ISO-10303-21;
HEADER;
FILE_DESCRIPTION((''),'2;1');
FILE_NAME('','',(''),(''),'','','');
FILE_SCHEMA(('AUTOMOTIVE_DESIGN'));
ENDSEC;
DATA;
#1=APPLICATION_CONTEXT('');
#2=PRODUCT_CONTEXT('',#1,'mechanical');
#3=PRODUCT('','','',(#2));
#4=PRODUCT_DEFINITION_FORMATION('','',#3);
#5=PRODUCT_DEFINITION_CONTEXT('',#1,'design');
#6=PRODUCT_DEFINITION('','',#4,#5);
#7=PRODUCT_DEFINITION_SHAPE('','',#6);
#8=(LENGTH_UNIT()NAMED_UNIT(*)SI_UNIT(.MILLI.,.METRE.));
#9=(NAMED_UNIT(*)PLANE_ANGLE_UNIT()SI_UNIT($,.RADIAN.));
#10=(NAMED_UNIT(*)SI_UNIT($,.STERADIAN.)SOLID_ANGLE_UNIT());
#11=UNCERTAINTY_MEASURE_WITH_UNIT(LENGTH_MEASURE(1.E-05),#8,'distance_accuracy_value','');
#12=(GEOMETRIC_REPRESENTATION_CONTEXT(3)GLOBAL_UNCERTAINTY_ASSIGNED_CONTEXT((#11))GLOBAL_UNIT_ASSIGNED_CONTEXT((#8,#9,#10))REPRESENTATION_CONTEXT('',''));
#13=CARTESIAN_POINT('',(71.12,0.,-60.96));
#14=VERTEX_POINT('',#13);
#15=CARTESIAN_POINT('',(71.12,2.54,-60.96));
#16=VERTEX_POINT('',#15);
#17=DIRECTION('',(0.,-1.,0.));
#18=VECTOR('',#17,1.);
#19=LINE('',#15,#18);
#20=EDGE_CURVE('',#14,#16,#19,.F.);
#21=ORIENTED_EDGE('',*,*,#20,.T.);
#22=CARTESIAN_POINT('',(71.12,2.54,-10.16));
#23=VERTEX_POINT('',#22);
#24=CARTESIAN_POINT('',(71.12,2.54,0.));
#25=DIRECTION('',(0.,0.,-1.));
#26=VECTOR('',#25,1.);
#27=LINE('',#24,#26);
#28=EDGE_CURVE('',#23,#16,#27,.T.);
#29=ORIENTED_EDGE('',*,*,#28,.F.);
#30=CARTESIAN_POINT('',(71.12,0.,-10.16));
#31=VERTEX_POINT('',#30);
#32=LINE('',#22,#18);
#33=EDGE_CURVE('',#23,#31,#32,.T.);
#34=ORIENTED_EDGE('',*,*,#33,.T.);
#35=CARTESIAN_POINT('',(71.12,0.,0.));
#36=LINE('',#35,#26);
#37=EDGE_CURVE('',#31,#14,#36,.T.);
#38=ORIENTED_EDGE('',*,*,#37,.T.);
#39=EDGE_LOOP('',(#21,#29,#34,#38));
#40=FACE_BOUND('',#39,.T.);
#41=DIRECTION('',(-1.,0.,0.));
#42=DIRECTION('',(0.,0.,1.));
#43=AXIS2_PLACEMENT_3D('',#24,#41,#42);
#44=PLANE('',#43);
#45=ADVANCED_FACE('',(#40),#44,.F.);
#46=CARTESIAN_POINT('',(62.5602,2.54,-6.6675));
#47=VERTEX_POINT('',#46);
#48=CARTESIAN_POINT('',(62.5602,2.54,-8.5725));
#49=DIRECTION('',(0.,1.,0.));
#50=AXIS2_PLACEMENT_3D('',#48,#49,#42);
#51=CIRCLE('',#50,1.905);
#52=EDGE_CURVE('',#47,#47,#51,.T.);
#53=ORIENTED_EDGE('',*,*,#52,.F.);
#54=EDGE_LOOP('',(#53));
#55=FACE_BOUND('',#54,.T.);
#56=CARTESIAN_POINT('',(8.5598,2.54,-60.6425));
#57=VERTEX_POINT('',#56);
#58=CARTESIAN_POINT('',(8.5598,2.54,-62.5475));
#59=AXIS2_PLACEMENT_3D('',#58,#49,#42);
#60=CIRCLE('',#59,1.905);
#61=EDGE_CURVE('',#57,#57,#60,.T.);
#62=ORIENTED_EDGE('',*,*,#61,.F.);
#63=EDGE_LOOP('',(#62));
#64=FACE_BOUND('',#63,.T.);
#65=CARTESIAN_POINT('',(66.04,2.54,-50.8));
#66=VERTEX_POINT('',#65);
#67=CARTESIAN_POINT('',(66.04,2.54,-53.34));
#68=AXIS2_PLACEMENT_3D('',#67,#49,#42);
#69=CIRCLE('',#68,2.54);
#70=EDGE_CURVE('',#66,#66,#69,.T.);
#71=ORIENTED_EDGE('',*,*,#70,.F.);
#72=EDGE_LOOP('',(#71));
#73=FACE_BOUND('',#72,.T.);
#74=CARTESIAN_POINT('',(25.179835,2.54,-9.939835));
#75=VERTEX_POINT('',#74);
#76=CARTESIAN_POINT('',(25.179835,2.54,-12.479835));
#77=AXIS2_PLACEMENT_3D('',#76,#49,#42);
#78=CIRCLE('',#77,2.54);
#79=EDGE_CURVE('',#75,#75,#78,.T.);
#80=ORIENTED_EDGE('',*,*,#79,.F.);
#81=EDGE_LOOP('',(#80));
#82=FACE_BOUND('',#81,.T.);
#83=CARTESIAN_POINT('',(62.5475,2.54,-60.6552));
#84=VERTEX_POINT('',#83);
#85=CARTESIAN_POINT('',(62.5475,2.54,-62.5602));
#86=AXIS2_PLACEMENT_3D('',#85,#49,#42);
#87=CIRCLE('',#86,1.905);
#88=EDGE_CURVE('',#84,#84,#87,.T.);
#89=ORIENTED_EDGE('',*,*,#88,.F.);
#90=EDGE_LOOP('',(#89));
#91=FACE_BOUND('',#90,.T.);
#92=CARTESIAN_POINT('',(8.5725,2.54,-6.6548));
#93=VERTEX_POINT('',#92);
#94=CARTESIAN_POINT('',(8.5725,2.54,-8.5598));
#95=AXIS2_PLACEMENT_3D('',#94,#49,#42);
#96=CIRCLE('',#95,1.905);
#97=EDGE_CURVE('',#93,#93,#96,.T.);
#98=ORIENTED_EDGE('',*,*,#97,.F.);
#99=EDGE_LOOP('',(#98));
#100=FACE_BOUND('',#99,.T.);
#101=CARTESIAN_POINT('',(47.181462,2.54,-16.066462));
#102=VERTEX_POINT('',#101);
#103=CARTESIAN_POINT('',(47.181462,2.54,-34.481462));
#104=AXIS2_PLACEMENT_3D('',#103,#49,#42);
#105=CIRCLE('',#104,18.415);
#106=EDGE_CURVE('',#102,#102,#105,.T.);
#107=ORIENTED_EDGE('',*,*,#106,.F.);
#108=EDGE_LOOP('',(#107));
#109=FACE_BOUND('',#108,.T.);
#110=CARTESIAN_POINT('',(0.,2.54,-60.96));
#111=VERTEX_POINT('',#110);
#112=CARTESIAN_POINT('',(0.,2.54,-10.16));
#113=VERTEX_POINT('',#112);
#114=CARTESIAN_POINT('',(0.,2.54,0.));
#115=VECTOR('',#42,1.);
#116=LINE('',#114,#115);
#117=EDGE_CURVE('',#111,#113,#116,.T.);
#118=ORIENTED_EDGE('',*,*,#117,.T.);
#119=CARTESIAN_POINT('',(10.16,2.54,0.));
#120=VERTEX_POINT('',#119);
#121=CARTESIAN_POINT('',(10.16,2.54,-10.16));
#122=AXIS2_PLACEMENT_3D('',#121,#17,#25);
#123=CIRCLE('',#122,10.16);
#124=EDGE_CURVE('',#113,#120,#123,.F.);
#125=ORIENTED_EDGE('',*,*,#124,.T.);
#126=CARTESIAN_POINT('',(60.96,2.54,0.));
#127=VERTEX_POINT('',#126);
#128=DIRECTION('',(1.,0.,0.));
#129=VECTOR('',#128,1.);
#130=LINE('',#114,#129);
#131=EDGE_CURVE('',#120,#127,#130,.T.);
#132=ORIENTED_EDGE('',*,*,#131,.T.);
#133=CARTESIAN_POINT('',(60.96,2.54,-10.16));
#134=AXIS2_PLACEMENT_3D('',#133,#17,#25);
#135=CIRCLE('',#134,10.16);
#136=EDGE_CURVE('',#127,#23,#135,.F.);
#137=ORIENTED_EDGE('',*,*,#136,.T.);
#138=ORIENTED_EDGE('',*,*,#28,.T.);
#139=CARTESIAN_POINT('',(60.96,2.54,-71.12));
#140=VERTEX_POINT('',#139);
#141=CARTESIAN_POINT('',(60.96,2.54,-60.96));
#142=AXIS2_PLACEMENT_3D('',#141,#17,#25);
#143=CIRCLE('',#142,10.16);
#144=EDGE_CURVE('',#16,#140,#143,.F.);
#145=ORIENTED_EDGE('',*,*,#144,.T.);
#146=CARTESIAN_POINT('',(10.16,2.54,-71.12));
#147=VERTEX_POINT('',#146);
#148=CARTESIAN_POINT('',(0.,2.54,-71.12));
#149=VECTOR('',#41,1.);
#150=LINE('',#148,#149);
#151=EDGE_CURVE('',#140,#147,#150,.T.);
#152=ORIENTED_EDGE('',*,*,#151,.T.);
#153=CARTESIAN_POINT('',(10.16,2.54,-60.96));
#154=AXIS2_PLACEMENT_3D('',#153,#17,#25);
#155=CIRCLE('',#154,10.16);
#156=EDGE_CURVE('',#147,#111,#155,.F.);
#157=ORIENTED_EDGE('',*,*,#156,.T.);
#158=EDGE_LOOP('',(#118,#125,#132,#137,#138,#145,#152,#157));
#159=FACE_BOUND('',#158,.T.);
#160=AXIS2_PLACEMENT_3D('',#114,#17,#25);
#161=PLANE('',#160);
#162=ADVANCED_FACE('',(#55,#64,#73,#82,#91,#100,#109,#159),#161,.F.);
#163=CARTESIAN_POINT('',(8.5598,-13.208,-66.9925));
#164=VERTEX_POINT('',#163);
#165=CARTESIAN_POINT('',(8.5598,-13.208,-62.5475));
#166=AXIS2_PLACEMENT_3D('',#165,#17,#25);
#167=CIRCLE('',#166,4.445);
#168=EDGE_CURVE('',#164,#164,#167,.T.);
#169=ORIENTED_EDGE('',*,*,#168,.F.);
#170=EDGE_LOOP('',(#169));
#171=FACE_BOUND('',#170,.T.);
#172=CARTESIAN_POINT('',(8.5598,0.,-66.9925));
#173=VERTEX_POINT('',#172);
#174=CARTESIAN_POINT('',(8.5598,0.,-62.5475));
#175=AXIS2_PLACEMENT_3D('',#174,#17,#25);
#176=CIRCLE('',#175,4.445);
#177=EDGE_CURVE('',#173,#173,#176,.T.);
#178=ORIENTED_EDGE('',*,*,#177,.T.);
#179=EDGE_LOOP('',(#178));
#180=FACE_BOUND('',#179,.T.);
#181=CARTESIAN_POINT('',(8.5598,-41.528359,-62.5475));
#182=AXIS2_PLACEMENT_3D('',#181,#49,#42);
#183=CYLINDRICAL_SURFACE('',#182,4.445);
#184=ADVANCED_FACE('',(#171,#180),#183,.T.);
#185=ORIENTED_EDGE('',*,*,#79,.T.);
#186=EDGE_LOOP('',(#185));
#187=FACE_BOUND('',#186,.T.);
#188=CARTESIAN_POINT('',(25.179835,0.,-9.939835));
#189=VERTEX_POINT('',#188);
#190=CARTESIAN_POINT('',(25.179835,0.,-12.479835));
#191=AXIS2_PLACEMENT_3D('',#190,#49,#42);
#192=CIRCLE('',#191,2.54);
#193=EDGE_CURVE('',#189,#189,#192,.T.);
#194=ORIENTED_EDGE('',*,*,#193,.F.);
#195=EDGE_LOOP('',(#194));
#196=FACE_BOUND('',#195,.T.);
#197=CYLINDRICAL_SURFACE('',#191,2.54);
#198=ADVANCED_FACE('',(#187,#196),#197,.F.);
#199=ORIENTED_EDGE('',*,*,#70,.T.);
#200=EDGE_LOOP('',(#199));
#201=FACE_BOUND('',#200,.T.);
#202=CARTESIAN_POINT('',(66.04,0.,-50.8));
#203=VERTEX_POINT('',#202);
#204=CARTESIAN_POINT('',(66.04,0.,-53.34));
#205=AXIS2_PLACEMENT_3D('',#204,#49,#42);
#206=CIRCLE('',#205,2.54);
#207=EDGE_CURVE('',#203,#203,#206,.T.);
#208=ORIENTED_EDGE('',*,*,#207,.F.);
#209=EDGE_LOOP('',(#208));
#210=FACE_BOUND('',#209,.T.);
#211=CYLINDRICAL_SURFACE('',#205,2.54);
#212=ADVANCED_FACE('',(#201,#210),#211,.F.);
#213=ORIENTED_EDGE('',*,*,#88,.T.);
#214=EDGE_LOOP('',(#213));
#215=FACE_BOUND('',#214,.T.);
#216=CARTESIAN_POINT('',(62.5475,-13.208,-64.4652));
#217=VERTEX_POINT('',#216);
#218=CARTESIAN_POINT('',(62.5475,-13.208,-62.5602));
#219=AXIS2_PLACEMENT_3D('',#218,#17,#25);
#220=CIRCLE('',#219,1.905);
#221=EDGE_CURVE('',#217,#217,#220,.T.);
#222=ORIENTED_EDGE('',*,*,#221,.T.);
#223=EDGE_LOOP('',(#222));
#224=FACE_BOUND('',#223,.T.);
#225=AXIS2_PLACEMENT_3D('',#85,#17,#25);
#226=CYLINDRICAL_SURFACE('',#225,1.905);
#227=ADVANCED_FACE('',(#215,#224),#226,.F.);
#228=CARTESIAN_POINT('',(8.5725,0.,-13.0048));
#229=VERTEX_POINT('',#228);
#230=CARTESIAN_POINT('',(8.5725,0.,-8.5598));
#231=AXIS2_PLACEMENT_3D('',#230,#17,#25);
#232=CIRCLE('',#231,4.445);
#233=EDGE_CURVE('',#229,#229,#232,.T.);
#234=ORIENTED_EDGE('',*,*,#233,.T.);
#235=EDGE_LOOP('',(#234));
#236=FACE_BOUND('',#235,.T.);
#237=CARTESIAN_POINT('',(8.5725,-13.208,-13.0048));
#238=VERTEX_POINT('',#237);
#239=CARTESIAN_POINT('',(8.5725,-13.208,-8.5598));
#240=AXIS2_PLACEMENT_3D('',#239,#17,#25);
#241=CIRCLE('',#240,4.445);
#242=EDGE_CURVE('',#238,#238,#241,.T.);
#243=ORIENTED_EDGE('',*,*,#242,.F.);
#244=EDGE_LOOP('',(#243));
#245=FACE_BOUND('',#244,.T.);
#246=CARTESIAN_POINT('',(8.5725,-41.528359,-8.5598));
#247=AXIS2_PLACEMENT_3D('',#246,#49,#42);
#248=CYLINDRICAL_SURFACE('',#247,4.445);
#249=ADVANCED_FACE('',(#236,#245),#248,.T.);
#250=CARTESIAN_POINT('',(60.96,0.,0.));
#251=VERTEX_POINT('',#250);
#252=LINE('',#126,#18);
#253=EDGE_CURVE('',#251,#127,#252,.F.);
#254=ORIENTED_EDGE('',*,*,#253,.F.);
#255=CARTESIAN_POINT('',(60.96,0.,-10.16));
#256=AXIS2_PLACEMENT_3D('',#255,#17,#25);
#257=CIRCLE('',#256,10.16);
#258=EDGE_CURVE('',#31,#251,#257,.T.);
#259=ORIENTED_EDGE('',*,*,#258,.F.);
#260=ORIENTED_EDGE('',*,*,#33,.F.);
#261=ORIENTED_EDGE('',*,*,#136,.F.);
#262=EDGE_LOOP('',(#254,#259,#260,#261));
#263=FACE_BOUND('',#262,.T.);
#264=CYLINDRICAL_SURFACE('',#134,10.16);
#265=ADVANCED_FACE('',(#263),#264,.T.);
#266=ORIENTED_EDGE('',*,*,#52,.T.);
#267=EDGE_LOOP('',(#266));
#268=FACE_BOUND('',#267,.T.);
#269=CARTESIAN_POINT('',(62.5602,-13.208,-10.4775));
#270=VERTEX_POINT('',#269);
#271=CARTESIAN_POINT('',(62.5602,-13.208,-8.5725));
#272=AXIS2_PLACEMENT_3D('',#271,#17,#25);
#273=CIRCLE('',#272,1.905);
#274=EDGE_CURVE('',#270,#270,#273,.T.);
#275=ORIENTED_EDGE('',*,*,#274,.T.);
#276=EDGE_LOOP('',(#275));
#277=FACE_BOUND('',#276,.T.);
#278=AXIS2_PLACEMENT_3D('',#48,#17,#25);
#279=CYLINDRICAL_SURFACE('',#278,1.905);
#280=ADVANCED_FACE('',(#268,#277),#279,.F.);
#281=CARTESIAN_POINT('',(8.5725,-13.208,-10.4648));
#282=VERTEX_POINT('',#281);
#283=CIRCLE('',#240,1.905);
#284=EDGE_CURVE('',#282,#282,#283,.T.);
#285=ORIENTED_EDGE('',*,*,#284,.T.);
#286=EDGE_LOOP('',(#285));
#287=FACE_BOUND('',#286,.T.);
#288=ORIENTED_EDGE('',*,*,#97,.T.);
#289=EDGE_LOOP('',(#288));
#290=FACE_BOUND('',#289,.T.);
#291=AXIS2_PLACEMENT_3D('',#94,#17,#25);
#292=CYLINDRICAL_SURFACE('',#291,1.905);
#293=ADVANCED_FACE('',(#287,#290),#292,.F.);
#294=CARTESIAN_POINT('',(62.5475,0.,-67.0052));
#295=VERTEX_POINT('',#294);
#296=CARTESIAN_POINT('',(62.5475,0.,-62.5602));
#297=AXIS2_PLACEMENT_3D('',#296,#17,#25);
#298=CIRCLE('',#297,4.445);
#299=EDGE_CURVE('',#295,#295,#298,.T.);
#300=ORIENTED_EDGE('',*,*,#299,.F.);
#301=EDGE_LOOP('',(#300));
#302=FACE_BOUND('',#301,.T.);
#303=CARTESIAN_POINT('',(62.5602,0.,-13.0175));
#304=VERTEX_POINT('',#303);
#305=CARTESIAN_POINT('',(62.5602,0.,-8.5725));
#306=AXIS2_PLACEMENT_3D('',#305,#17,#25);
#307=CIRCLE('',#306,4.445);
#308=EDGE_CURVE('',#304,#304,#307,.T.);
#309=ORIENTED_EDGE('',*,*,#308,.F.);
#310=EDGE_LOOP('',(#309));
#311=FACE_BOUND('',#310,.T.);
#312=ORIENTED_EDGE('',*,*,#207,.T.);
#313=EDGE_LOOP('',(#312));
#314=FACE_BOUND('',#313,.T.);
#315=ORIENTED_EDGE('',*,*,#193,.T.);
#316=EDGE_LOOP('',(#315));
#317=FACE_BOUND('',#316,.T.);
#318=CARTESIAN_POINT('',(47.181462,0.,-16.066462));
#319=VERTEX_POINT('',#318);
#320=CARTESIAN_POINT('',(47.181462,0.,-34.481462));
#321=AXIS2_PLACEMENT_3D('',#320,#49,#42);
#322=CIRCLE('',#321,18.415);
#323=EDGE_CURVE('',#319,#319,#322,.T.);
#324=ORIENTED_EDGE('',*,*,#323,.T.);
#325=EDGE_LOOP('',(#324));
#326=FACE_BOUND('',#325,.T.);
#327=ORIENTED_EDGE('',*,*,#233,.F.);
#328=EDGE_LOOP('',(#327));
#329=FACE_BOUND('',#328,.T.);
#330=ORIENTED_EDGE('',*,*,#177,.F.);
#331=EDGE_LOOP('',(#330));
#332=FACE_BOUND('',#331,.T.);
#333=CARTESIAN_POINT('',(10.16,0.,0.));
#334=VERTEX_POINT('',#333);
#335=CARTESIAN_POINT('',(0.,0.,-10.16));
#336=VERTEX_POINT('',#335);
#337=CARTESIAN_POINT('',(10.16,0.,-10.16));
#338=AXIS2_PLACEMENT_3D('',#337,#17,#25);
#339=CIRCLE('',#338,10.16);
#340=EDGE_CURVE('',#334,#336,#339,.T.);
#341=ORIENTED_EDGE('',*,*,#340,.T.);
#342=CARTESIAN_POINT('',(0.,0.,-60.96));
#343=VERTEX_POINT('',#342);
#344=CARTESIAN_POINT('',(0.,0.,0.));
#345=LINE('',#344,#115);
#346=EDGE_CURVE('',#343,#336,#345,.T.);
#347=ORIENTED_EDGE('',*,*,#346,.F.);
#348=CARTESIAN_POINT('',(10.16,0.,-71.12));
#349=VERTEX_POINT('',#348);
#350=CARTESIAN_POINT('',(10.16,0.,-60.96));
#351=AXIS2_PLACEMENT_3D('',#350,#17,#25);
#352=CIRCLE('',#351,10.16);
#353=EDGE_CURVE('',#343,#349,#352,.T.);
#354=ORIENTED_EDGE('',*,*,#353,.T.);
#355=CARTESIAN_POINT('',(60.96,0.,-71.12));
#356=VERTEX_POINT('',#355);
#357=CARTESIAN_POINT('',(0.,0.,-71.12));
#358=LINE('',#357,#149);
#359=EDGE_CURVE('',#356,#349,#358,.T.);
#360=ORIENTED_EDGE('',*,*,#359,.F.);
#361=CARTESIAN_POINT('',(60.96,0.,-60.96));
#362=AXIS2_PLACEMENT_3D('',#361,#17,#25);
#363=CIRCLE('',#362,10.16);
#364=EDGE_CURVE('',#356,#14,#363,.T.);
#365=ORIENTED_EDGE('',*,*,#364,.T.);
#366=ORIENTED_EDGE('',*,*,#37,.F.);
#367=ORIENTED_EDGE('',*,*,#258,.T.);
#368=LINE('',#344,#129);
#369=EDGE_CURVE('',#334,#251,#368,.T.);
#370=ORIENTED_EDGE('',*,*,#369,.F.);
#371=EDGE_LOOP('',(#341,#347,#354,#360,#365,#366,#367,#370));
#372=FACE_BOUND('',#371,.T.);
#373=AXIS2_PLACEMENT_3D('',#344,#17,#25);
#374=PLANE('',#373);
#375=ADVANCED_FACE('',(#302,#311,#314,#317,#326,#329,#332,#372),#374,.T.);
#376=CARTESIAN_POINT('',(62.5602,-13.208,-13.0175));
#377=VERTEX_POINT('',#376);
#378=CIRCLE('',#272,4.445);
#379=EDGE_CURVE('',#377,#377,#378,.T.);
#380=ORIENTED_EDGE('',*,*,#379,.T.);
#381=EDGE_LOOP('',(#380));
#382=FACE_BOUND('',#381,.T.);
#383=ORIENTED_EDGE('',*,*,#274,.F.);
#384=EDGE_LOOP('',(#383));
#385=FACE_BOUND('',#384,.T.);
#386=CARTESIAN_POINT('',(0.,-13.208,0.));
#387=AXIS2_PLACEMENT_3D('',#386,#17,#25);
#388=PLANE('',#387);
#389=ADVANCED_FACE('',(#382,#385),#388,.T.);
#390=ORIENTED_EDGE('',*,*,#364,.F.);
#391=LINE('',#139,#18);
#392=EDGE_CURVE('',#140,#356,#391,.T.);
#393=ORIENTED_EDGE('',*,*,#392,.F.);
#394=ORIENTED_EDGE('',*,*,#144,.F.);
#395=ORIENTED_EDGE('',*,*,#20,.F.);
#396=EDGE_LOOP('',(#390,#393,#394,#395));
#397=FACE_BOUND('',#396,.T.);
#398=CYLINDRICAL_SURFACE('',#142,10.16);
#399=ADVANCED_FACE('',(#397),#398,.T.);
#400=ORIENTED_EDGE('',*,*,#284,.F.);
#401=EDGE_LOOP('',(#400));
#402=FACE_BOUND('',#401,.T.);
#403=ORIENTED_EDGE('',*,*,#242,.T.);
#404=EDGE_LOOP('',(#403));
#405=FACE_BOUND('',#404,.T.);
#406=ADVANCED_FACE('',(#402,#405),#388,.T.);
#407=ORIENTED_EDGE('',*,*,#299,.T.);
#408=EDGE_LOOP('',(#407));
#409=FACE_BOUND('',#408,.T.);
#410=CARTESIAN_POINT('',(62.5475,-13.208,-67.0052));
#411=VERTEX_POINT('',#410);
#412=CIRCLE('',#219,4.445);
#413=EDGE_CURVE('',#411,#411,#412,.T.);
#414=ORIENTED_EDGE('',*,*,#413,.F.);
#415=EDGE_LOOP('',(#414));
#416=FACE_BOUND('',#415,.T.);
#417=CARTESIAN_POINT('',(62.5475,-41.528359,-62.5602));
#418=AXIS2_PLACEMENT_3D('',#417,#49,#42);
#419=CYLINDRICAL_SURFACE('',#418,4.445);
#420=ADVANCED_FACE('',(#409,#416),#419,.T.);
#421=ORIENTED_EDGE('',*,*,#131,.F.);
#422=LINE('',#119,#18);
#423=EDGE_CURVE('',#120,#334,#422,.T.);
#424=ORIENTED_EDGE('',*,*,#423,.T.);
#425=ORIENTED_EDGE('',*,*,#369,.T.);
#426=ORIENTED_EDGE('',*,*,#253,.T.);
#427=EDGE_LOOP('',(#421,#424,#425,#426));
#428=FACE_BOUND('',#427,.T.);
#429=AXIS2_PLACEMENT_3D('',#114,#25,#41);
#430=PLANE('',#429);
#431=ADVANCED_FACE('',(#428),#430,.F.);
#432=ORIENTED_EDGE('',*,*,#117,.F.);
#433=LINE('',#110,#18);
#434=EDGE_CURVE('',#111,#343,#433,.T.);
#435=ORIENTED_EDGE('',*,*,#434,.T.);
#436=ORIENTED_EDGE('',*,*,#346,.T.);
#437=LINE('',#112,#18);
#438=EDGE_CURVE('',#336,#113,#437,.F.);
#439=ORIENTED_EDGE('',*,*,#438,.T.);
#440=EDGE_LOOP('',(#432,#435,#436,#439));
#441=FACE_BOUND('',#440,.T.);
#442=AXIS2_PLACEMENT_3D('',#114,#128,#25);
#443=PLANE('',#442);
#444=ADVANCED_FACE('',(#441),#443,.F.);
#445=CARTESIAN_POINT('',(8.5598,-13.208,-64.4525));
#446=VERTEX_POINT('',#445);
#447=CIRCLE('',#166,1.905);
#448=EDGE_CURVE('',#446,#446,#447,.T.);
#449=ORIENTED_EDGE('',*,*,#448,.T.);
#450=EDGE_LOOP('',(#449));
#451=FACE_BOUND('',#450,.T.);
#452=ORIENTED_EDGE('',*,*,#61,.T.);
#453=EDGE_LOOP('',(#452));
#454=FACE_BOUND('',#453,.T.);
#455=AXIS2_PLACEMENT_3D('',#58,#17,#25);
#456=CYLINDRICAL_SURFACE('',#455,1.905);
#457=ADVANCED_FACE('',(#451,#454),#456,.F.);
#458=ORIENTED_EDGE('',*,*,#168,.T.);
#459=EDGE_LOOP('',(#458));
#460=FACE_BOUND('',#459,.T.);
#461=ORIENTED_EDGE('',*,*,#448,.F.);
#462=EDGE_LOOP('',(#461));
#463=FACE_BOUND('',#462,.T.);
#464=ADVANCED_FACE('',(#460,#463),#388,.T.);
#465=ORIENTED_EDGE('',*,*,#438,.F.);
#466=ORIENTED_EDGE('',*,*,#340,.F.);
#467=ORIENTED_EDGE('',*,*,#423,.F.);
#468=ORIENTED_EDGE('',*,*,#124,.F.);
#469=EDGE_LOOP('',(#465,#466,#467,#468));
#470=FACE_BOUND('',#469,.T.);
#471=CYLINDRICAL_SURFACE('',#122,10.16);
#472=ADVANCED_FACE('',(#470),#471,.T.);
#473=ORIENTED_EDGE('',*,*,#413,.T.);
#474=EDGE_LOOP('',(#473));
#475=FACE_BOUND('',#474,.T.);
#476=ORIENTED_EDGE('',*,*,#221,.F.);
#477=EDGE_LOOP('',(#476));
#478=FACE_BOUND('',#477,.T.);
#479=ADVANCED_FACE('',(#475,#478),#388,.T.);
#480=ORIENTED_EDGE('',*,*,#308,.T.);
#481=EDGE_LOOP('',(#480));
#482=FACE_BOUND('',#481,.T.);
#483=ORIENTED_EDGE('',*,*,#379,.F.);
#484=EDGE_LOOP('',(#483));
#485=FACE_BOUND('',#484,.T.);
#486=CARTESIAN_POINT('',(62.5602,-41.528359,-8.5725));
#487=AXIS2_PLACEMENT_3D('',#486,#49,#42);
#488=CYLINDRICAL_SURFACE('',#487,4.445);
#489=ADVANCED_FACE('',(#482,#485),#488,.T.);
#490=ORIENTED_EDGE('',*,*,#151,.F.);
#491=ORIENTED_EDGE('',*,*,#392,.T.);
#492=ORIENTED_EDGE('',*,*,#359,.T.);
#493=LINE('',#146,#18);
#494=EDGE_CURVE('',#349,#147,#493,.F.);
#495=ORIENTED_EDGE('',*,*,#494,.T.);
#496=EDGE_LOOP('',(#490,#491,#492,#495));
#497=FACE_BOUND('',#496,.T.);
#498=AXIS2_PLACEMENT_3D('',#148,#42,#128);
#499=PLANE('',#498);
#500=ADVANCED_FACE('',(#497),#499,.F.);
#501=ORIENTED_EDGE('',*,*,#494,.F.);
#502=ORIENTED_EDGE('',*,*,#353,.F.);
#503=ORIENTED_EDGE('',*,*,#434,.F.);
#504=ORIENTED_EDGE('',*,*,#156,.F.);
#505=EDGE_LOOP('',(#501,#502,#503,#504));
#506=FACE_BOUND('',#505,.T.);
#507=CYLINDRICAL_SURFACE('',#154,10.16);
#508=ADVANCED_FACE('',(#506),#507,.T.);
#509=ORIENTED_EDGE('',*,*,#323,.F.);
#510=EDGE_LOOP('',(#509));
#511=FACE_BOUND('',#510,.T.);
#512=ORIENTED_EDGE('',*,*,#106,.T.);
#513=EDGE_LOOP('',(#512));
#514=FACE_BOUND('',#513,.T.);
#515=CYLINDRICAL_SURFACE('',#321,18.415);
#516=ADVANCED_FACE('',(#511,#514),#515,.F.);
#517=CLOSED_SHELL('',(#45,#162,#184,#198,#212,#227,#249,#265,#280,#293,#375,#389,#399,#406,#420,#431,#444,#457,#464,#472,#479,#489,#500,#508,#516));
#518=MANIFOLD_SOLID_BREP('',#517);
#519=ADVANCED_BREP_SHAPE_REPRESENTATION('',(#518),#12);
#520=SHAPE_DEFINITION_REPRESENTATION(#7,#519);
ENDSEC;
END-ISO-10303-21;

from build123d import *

# Parameters (mm, degrees)
SKETCH1_W           = 71.12
SKETCH1_H           = 71.12
SKETCH1_R           = 1.905
BOSS_EXTRUDE1_DEPTH = 2.54
SKETCH2_R           = 2.54
SKETCH2_R_2         = 18.415
CUT_EXTRUDE1_DEPTH  = 3.54
SKETCH3_R           = 4.445
SKETCH3_R_2         = 1.905
BOSS_EXTRUDE2_DEPTH = 13.208
FILLET1_R           = 10.16


with BuildPart() as part:
    # Sketch1 → Boss-Extrude1 (new body)
    with BuildSketch(Plane(origin=(0, 0, 0), x_dir=(1, 0, 0), z_dir=(0, 1, 0))):
        with Locations((35.56, 35.56)):
            Rectangle(SKETCH1_W, SKETCH1_H)
        with Locations((8.5598, 62.5475)):
            Circle(SKETCH1_R, mode=Mode.SUBTRACT)
        with Locations((62.5475, 62.5602)):
            Circle(SKETCH1_R, mode=Mode.SUBTRACT)
        with Locations((62.5602, 8.5725)):
            Circle(SKETCH1_R, mode=Mode.SUBTRACT)
        with Locations((8.5725, 8.5598)):
            Circle(SKETCH1_R, mode=Mode.SUBTRACT)
    extrude(amount=BOSS_EXTRUDE1_DEPTH)

    # Sketch2 → Cut-Extrude1 (cut, through all)
    with BuildSketch(Plane(origin=(0, 2.54, 0), x_dir=(1, 0, 0), z_dir=(0, 1, 0))):
        with Locations((25.179834649, 12.479834649)):
            Circle(SKETCH2_R)
        with Locations((66.04, 53.34)):
            Circle(SKETCH2_R)
        with Locations((47.181462146, 34.481462146)):
            Circle(SKETCH2_R_2)
    extrude(amount=-CUT_EXTRUDE1_DEPTH, mode=Mode.SUBTRACT)

    # Sketch3 → Boss-Extrude2 (add)
    with BuildSketch(Plane.XZ):
        with Locations((62.5602, -8.5725)):
            Circle(SKETCH3_R)
        with Locations((62.5602, -8.5725)):
            Circle(SKETCH3_R_2, mode=Mode.SUBTRACT)
        with Locations((62.5475, -62.5602)):
            Circle(SKETCH3_R)
        with Locations((62.5475, -62.5602)):
            Circle(SKETCH3_R_2, mode=Mode.SUBTRACT)
        with Locations((8.5598, -62.5475)):
            Circle(SKETCH3_R)
        with Locations((8.5598, -62.5475)):
            Circle(SKETCH3_R_2, mode=Mode.SUBTRACT)
        with Locations((8.5725, -8.5598)):
            Circle(SKETCH3_R)
        with Locations((8.5725, -8.5598)):
            Circle(SKETCH3_R_2, mode=Mode.SUBTRACT)
    extrude(amount=BOSS_EXTRUDE2_DEPTH)

    # Fillet1
    fillet1_edges = [part.edges().sort_by_distance(p)[0] for p in [
        (0, 1.27, -71.12),
        (71.12, 1.27, -71.12),
        (71.12, 1.27, 0),
        (0, 1.27, 0),
    ]]
    fillet(fillet1_edges, radius=FILLET1_R)


solid = part.part
